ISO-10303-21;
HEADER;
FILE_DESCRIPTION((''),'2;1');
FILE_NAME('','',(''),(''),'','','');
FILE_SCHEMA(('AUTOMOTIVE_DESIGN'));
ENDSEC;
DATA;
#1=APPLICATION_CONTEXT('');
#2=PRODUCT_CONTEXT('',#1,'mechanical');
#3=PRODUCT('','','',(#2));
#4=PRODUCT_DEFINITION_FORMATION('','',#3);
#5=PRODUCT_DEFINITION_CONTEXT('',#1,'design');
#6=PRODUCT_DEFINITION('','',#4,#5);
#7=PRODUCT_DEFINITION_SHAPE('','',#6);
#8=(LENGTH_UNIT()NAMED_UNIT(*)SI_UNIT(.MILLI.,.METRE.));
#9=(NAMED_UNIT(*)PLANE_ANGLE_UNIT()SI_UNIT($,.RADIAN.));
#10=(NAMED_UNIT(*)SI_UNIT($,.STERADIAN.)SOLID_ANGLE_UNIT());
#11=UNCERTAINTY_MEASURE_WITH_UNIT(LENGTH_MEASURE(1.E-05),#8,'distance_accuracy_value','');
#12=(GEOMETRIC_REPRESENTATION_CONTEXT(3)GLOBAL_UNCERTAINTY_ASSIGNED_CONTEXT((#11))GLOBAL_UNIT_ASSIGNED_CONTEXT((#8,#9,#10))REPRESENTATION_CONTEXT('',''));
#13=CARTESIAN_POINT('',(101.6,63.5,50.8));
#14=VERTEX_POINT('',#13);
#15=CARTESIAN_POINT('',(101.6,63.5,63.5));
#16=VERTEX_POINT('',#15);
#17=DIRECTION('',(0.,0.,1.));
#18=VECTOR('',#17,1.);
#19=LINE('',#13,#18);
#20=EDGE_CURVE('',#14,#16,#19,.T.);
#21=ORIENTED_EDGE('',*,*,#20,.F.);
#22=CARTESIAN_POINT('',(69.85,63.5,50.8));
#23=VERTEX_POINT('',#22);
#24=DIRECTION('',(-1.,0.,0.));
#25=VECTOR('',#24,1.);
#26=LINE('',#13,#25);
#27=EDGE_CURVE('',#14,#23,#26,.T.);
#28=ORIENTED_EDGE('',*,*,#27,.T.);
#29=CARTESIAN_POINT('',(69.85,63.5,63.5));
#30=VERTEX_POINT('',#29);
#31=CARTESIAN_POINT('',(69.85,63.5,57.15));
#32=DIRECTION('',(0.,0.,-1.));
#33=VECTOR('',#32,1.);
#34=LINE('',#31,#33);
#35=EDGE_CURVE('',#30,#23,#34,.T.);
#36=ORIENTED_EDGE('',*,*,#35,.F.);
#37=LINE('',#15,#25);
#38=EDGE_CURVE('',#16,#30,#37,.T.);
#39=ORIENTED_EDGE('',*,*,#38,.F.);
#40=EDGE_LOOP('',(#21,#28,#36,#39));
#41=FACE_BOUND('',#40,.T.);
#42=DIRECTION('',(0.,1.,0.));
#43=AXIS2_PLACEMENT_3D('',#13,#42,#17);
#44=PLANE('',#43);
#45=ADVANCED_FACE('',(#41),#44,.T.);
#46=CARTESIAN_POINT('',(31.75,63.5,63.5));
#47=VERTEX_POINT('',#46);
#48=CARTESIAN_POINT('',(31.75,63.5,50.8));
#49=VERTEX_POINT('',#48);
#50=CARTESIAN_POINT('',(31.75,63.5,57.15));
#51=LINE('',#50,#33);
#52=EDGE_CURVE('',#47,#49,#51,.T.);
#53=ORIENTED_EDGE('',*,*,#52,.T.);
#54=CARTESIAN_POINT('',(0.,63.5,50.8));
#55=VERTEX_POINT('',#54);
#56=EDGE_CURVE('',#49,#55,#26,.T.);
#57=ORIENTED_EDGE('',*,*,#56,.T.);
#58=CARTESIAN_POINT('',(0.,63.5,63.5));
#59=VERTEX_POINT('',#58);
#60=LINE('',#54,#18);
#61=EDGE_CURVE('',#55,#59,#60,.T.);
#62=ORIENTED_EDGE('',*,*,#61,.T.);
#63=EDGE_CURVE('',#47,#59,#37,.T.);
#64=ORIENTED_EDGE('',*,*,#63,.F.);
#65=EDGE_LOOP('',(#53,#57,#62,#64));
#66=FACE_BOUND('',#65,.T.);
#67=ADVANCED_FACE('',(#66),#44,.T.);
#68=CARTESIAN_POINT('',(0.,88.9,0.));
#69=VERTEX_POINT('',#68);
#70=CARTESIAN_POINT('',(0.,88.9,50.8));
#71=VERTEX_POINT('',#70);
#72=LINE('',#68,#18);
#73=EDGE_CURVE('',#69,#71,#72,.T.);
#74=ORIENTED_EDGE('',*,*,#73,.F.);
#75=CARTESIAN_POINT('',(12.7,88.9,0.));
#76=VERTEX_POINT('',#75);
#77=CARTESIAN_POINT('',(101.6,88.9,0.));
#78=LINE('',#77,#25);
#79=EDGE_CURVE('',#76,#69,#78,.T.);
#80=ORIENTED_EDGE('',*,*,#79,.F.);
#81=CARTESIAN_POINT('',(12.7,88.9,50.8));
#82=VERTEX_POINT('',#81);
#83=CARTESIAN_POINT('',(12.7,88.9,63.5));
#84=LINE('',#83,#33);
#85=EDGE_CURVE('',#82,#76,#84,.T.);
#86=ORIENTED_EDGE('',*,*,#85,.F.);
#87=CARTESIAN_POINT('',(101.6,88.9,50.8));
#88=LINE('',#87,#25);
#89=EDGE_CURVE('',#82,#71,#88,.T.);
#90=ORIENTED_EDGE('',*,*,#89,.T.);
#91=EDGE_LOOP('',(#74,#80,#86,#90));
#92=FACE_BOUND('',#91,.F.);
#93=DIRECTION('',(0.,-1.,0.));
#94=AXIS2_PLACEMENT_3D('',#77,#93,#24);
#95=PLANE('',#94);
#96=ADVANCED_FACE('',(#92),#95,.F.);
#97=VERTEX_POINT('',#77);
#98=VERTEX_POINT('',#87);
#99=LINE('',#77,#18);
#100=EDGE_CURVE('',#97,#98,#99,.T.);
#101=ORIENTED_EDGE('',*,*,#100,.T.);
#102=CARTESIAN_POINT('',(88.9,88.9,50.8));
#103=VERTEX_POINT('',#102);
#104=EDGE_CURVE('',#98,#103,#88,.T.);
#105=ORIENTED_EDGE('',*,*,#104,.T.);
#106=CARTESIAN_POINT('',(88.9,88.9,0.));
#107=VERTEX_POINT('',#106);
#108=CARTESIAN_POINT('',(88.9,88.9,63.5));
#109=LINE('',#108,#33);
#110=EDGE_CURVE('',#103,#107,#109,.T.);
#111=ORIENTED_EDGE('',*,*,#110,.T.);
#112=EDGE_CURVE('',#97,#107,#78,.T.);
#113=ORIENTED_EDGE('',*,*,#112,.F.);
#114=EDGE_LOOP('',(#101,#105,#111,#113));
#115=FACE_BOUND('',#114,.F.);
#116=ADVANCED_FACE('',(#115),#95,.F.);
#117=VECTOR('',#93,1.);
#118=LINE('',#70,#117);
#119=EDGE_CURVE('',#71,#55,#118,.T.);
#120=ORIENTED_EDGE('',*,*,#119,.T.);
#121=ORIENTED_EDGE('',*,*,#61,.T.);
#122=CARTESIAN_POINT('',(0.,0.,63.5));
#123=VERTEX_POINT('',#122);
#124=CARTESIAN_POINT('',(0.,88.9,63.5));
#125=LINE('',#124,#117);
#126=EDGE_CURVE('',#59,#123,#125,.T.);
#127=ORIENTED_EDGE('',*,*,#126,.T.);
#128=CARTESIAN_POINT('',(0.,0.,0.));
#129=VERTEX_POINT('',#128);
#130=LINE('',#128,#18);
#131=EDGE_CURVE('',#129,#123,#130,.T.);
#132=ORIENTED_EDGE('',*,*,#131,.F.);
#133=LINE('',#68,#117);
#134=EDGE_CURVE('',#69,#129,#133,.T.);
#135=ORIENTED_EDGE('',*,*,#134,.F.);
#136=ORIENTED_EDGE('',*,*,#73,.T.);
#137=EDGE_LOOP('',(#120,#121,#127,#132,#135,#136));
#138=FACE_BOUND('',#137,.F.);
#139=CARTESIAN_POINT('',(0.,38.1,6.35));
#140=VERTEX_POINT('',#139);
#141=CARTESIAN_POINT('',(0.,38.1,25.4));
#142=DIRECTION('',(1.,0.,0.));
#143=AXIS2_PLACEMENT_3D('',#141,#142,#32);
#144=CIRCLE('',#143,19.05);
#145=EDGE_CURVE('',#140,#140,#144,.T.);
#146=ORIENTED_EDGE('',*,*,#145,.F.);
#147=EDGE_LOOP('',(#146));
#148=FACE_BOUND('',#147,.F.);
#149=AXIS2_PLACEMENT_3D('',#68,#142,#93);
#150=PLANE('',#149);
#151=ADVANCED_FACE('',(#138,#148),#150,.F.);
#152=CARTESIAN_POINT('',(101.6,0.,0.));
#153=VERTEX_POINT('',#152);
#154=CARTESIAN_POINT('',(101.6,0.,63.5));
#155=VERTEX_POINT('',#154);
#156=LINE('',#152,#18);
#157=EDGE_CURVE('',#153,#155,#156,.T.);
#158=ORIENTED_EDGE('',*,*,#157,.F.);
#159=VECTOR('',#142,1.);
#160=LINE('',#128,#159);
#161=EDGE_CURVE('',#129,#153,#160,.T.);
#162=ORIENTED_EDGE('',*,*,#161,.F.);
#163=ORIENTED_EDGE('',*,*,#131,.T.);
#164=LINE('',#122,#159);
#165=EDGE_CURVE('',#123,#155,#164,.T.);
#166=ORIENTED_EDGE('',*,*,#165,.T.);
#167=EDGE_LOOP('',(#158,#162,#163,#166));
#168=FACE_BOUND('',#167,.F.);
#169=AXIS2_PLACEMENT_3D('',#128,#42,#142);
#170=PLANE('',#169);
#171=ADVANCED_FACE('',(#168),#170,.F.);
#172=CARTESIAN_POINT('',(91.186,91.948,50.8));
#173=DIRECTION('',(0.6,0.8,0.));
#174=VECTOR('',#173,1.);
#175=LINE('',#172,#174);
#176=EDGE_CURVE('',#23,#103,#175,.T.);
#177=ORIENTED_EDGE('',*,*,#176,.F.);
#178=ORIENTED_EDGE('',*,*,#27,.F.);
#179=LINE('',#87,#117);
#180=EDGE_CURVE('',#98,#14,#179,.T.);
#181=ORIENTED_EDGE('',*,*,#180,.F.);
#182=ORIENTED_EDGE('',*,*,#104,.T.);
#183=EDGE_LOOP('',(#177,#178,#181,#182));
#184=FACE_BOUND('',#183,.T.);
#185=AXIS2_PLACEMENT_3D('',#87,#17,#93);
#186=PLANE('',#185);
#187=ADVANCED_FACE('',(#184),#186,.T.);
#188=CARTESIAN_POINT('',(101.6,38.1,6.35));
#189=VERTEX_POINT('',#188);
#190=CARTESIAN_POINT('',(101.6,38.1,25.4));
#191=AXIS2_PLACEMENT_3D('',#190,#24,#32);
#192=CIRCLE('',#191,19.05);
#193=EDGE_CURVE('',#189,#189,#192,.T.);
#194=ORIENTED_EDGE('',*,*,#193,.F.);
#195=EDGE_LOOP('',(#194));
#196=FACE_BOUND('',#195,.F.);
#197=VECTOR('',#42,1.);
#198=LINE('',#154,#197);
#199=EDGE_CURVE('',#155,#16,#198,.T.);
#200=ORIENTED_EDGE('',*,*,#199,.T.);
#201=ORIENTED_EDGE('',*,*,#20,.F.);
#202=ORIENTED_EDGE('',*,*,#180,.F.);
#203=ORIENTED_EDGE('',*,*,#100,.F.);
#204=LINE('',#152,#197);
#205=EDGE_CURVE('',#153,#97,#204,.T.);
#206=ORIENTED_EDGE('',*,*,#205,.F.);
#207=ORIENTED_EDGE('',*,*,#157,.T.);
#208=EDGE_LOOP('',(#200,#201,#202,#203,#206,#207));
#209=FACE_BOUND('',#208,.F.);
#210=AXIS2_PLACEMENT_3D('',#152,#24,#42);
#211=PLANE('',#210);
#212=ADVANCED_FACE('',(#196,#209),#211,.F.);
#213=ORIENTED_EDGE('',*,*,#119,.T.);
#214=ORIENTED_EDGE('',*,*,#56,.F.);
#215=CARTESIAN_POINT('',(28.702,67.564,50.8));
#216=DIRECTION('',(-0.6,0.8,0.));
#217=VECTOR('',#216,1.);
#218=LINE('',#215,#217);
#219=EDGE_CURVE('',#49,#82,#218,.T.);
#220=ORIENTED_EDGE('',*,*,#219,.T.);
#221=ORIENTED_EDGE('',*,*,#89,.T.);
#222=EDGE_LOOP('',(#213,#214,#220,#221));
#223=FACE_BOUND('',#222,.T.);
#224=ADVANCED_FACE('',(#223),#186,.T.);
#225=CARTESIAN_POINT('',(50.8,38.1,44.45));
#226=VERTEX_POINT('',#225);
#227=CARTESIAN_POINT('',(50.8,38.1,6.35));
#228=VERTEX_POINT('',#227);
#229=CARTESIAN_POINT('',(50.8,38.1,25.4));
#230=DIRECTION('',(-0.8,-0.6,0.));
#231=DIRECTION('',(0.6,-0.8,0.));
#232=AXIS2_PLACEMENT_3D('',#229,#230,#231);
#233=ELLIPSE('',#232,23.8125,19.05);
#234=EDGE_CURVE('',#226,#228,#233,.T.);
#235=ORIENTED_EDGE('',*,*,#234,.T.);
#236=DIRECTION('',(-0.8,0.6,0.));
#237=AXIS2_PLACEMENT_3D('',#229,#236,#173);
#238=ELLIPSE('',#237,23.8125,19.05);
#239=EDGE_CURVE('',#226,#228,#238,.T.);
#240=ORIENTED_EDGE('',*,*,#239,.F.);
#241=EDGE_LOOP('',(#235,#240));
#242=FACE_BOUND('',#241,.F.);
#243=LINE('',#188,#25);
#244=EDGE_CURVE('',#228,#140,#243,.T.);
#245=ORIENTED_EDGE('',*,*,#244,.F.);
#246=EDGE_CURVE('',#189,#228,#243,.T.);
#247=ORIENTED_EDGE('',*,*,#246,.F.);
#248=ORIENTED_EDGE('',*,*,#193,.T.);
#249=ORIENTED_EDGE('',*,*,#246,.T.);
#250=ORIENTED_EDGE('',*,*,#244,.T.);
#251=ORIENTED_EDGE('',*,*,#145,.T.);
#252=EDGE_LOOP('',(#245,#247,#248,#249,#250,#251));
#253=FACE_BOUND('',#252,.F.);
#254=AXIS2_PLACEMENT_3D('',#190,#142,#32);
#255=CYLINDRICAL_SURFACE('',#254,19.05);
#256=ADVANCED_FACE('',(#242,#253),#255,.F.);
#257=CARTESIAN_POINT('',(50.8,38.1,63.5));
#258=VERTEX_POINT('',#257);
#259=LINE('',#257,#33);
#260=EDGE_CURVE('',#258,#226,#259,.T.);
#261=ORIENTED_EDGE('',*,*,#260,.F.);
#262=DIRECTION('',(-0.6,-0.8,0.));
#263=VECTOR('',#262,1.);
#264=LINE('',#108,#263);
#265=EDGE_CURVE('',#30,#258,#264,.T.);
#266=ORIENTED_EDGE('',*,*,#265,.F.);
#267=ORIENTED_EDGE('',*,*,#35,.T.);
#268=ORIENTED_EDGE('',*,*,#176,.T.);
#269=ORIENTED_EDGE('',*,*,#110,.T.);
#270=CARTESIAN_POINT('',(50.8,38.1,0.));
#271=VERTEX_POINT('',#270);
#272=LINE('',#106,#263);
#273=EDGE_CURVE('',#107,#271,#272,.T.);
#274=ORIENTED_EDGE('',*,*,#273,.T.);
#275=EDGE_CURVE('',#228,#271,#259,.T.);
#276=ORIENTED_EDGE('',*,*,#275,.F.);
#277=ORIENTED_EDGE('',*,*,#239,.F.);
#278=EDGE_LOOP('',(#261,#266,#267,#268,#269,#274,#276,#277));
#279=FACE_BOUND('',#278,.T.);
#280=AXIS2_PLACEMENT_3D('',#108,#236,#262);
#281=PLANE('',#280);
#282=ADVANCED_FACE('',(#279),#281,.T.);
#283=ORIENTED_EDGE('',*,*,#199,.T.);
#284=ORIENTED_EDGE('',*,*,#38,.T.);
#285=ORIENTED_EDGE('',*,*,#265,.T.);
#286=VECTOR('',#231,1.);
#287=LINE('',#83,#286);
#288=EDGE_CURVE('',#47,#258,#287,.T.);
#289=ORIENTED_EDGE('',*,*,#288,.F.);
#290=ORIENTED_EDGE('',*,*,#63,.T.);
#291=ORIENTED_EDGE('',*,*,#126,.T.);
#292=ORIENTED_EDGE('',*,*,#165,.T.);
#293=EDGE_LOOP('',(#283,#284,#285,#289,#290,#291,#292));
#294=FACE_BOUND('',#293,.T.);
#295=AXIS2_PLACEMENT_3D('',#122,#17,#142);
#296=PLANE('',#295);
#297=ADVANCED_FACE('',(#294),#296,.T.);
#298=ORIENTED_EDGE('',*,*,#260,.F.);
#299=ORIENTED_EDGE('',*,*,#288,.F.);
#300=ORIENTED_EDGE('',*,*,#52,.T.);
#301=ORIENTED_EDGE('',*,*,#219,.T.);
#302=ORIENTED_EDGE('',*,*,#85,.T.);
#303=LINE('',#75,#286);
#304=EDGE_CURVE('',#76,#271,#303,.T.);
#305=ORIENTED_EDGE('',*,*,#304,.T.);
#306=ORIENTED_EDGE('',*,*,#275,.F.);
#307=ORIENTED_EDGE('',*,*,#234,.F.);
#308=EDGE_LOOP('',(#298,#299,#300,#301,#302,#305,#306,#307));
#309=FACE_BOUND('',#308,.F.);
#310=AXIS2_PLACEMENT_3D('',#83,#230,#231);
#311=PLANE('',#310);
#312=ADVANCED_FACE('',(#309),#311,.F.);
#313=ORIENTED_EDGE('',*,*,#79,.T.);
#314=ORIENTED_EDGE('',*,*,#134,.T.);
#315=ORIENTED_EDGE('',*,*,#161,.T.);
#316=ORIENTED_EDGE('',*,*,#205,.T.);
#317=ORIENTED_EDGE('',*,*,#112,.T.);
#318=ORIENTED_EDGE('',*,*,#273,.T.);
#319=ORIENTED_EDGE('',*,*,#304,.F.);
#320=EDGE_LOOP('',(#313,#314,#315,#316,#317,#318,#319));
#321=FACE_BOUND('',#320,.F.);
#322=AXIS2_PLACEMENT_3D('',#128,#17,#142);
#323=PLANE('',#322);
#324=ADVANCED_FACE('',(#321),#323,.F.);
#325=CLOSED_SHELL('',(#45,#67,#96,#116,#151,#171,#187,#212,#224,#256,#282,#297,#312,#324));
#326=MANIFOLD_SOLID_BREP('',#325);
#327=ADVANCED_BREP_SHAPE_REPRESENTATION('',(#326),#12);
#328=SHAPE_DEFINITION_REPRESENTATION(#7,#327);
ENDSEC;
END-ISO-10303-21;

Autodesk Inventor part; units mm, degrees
ref_plane "YZ Plane" through (0, 0, 0) normal (1, 0, 0) x (0, 1, 0)
ref_plane "XZ Plane" through (0, 0, 0) normal (0, 1, 0) x (-1, 0, 0)
ref_plane "XY Plane" through (0, 0, 0) normal (0, 0, 1) x (1, 0, 0)
sketch "Sketch1" plane through (0, 0, 0) normal (0, 0, 1) x (1, 0, 0)
  line L0 (0, 0) -> (101.6, 0)
  line L1 (101.6, 0) -> (101.6, 88.9)
  line L2 (101.6, 88.9) -> (0, 88.9)
  line L3 (0, 88.9) -> (0, 0)
  dimension "d0" = 101.6
  dimension "d1" = 88.9
extrude "Extrusion1" add sketch "Sketch1" along normal blind 63.5
sketch "Sketch2" plane through (0, 0, 63.5) normal (0, 0, 1) x (1, 0, 0)
  line L0 (101.6, 88.9) -> (88.9, 88.9)
  line L1 (88.9, 88.9) -> (50.8, 38.1)
  line L2 (12.7, 88.9) -> (50.8, 38.1)
  line L3 (12.7, 88.9) -> (88.9, 88.9)
  line L4 (101.6, 88.9) -> (0, 88.9) projected
  point P0 (0, 0)
extrude "Extrusion2" cut sketch "Sketch2" against normal blind 63.5
sketch "Sketch3" plane through (101.6, 0, 0) normal (1, 0, 0) x (0, 0, -1)
  line L0 (0, 88.9) -> (-63.5, 88.9) projected
  line L1 (-63.5, 88.9) -> (-50.8, 88.9)
  line L2 (-50.8, 63.5) -> (-63.5, 63.5)
  line L3 (-63.5, 0) -> (-63.5, 88.9) projected
  line L4 (-63.5, 63.5) -> (-63.5, 88.9)
  line L5 (-50.8, 88.9) -> (-50.8, 63.5)
  line L6 (-63.5, 38.1) -> (0, 38.1) projected
  circle A0 centre (-25.4, 38.1) radius 19.05
  point P0 (0, 0)
extrude "Extrusion3" cut sketch "Sketch3" against normal blind 101.6
properties part number "P3-11"
